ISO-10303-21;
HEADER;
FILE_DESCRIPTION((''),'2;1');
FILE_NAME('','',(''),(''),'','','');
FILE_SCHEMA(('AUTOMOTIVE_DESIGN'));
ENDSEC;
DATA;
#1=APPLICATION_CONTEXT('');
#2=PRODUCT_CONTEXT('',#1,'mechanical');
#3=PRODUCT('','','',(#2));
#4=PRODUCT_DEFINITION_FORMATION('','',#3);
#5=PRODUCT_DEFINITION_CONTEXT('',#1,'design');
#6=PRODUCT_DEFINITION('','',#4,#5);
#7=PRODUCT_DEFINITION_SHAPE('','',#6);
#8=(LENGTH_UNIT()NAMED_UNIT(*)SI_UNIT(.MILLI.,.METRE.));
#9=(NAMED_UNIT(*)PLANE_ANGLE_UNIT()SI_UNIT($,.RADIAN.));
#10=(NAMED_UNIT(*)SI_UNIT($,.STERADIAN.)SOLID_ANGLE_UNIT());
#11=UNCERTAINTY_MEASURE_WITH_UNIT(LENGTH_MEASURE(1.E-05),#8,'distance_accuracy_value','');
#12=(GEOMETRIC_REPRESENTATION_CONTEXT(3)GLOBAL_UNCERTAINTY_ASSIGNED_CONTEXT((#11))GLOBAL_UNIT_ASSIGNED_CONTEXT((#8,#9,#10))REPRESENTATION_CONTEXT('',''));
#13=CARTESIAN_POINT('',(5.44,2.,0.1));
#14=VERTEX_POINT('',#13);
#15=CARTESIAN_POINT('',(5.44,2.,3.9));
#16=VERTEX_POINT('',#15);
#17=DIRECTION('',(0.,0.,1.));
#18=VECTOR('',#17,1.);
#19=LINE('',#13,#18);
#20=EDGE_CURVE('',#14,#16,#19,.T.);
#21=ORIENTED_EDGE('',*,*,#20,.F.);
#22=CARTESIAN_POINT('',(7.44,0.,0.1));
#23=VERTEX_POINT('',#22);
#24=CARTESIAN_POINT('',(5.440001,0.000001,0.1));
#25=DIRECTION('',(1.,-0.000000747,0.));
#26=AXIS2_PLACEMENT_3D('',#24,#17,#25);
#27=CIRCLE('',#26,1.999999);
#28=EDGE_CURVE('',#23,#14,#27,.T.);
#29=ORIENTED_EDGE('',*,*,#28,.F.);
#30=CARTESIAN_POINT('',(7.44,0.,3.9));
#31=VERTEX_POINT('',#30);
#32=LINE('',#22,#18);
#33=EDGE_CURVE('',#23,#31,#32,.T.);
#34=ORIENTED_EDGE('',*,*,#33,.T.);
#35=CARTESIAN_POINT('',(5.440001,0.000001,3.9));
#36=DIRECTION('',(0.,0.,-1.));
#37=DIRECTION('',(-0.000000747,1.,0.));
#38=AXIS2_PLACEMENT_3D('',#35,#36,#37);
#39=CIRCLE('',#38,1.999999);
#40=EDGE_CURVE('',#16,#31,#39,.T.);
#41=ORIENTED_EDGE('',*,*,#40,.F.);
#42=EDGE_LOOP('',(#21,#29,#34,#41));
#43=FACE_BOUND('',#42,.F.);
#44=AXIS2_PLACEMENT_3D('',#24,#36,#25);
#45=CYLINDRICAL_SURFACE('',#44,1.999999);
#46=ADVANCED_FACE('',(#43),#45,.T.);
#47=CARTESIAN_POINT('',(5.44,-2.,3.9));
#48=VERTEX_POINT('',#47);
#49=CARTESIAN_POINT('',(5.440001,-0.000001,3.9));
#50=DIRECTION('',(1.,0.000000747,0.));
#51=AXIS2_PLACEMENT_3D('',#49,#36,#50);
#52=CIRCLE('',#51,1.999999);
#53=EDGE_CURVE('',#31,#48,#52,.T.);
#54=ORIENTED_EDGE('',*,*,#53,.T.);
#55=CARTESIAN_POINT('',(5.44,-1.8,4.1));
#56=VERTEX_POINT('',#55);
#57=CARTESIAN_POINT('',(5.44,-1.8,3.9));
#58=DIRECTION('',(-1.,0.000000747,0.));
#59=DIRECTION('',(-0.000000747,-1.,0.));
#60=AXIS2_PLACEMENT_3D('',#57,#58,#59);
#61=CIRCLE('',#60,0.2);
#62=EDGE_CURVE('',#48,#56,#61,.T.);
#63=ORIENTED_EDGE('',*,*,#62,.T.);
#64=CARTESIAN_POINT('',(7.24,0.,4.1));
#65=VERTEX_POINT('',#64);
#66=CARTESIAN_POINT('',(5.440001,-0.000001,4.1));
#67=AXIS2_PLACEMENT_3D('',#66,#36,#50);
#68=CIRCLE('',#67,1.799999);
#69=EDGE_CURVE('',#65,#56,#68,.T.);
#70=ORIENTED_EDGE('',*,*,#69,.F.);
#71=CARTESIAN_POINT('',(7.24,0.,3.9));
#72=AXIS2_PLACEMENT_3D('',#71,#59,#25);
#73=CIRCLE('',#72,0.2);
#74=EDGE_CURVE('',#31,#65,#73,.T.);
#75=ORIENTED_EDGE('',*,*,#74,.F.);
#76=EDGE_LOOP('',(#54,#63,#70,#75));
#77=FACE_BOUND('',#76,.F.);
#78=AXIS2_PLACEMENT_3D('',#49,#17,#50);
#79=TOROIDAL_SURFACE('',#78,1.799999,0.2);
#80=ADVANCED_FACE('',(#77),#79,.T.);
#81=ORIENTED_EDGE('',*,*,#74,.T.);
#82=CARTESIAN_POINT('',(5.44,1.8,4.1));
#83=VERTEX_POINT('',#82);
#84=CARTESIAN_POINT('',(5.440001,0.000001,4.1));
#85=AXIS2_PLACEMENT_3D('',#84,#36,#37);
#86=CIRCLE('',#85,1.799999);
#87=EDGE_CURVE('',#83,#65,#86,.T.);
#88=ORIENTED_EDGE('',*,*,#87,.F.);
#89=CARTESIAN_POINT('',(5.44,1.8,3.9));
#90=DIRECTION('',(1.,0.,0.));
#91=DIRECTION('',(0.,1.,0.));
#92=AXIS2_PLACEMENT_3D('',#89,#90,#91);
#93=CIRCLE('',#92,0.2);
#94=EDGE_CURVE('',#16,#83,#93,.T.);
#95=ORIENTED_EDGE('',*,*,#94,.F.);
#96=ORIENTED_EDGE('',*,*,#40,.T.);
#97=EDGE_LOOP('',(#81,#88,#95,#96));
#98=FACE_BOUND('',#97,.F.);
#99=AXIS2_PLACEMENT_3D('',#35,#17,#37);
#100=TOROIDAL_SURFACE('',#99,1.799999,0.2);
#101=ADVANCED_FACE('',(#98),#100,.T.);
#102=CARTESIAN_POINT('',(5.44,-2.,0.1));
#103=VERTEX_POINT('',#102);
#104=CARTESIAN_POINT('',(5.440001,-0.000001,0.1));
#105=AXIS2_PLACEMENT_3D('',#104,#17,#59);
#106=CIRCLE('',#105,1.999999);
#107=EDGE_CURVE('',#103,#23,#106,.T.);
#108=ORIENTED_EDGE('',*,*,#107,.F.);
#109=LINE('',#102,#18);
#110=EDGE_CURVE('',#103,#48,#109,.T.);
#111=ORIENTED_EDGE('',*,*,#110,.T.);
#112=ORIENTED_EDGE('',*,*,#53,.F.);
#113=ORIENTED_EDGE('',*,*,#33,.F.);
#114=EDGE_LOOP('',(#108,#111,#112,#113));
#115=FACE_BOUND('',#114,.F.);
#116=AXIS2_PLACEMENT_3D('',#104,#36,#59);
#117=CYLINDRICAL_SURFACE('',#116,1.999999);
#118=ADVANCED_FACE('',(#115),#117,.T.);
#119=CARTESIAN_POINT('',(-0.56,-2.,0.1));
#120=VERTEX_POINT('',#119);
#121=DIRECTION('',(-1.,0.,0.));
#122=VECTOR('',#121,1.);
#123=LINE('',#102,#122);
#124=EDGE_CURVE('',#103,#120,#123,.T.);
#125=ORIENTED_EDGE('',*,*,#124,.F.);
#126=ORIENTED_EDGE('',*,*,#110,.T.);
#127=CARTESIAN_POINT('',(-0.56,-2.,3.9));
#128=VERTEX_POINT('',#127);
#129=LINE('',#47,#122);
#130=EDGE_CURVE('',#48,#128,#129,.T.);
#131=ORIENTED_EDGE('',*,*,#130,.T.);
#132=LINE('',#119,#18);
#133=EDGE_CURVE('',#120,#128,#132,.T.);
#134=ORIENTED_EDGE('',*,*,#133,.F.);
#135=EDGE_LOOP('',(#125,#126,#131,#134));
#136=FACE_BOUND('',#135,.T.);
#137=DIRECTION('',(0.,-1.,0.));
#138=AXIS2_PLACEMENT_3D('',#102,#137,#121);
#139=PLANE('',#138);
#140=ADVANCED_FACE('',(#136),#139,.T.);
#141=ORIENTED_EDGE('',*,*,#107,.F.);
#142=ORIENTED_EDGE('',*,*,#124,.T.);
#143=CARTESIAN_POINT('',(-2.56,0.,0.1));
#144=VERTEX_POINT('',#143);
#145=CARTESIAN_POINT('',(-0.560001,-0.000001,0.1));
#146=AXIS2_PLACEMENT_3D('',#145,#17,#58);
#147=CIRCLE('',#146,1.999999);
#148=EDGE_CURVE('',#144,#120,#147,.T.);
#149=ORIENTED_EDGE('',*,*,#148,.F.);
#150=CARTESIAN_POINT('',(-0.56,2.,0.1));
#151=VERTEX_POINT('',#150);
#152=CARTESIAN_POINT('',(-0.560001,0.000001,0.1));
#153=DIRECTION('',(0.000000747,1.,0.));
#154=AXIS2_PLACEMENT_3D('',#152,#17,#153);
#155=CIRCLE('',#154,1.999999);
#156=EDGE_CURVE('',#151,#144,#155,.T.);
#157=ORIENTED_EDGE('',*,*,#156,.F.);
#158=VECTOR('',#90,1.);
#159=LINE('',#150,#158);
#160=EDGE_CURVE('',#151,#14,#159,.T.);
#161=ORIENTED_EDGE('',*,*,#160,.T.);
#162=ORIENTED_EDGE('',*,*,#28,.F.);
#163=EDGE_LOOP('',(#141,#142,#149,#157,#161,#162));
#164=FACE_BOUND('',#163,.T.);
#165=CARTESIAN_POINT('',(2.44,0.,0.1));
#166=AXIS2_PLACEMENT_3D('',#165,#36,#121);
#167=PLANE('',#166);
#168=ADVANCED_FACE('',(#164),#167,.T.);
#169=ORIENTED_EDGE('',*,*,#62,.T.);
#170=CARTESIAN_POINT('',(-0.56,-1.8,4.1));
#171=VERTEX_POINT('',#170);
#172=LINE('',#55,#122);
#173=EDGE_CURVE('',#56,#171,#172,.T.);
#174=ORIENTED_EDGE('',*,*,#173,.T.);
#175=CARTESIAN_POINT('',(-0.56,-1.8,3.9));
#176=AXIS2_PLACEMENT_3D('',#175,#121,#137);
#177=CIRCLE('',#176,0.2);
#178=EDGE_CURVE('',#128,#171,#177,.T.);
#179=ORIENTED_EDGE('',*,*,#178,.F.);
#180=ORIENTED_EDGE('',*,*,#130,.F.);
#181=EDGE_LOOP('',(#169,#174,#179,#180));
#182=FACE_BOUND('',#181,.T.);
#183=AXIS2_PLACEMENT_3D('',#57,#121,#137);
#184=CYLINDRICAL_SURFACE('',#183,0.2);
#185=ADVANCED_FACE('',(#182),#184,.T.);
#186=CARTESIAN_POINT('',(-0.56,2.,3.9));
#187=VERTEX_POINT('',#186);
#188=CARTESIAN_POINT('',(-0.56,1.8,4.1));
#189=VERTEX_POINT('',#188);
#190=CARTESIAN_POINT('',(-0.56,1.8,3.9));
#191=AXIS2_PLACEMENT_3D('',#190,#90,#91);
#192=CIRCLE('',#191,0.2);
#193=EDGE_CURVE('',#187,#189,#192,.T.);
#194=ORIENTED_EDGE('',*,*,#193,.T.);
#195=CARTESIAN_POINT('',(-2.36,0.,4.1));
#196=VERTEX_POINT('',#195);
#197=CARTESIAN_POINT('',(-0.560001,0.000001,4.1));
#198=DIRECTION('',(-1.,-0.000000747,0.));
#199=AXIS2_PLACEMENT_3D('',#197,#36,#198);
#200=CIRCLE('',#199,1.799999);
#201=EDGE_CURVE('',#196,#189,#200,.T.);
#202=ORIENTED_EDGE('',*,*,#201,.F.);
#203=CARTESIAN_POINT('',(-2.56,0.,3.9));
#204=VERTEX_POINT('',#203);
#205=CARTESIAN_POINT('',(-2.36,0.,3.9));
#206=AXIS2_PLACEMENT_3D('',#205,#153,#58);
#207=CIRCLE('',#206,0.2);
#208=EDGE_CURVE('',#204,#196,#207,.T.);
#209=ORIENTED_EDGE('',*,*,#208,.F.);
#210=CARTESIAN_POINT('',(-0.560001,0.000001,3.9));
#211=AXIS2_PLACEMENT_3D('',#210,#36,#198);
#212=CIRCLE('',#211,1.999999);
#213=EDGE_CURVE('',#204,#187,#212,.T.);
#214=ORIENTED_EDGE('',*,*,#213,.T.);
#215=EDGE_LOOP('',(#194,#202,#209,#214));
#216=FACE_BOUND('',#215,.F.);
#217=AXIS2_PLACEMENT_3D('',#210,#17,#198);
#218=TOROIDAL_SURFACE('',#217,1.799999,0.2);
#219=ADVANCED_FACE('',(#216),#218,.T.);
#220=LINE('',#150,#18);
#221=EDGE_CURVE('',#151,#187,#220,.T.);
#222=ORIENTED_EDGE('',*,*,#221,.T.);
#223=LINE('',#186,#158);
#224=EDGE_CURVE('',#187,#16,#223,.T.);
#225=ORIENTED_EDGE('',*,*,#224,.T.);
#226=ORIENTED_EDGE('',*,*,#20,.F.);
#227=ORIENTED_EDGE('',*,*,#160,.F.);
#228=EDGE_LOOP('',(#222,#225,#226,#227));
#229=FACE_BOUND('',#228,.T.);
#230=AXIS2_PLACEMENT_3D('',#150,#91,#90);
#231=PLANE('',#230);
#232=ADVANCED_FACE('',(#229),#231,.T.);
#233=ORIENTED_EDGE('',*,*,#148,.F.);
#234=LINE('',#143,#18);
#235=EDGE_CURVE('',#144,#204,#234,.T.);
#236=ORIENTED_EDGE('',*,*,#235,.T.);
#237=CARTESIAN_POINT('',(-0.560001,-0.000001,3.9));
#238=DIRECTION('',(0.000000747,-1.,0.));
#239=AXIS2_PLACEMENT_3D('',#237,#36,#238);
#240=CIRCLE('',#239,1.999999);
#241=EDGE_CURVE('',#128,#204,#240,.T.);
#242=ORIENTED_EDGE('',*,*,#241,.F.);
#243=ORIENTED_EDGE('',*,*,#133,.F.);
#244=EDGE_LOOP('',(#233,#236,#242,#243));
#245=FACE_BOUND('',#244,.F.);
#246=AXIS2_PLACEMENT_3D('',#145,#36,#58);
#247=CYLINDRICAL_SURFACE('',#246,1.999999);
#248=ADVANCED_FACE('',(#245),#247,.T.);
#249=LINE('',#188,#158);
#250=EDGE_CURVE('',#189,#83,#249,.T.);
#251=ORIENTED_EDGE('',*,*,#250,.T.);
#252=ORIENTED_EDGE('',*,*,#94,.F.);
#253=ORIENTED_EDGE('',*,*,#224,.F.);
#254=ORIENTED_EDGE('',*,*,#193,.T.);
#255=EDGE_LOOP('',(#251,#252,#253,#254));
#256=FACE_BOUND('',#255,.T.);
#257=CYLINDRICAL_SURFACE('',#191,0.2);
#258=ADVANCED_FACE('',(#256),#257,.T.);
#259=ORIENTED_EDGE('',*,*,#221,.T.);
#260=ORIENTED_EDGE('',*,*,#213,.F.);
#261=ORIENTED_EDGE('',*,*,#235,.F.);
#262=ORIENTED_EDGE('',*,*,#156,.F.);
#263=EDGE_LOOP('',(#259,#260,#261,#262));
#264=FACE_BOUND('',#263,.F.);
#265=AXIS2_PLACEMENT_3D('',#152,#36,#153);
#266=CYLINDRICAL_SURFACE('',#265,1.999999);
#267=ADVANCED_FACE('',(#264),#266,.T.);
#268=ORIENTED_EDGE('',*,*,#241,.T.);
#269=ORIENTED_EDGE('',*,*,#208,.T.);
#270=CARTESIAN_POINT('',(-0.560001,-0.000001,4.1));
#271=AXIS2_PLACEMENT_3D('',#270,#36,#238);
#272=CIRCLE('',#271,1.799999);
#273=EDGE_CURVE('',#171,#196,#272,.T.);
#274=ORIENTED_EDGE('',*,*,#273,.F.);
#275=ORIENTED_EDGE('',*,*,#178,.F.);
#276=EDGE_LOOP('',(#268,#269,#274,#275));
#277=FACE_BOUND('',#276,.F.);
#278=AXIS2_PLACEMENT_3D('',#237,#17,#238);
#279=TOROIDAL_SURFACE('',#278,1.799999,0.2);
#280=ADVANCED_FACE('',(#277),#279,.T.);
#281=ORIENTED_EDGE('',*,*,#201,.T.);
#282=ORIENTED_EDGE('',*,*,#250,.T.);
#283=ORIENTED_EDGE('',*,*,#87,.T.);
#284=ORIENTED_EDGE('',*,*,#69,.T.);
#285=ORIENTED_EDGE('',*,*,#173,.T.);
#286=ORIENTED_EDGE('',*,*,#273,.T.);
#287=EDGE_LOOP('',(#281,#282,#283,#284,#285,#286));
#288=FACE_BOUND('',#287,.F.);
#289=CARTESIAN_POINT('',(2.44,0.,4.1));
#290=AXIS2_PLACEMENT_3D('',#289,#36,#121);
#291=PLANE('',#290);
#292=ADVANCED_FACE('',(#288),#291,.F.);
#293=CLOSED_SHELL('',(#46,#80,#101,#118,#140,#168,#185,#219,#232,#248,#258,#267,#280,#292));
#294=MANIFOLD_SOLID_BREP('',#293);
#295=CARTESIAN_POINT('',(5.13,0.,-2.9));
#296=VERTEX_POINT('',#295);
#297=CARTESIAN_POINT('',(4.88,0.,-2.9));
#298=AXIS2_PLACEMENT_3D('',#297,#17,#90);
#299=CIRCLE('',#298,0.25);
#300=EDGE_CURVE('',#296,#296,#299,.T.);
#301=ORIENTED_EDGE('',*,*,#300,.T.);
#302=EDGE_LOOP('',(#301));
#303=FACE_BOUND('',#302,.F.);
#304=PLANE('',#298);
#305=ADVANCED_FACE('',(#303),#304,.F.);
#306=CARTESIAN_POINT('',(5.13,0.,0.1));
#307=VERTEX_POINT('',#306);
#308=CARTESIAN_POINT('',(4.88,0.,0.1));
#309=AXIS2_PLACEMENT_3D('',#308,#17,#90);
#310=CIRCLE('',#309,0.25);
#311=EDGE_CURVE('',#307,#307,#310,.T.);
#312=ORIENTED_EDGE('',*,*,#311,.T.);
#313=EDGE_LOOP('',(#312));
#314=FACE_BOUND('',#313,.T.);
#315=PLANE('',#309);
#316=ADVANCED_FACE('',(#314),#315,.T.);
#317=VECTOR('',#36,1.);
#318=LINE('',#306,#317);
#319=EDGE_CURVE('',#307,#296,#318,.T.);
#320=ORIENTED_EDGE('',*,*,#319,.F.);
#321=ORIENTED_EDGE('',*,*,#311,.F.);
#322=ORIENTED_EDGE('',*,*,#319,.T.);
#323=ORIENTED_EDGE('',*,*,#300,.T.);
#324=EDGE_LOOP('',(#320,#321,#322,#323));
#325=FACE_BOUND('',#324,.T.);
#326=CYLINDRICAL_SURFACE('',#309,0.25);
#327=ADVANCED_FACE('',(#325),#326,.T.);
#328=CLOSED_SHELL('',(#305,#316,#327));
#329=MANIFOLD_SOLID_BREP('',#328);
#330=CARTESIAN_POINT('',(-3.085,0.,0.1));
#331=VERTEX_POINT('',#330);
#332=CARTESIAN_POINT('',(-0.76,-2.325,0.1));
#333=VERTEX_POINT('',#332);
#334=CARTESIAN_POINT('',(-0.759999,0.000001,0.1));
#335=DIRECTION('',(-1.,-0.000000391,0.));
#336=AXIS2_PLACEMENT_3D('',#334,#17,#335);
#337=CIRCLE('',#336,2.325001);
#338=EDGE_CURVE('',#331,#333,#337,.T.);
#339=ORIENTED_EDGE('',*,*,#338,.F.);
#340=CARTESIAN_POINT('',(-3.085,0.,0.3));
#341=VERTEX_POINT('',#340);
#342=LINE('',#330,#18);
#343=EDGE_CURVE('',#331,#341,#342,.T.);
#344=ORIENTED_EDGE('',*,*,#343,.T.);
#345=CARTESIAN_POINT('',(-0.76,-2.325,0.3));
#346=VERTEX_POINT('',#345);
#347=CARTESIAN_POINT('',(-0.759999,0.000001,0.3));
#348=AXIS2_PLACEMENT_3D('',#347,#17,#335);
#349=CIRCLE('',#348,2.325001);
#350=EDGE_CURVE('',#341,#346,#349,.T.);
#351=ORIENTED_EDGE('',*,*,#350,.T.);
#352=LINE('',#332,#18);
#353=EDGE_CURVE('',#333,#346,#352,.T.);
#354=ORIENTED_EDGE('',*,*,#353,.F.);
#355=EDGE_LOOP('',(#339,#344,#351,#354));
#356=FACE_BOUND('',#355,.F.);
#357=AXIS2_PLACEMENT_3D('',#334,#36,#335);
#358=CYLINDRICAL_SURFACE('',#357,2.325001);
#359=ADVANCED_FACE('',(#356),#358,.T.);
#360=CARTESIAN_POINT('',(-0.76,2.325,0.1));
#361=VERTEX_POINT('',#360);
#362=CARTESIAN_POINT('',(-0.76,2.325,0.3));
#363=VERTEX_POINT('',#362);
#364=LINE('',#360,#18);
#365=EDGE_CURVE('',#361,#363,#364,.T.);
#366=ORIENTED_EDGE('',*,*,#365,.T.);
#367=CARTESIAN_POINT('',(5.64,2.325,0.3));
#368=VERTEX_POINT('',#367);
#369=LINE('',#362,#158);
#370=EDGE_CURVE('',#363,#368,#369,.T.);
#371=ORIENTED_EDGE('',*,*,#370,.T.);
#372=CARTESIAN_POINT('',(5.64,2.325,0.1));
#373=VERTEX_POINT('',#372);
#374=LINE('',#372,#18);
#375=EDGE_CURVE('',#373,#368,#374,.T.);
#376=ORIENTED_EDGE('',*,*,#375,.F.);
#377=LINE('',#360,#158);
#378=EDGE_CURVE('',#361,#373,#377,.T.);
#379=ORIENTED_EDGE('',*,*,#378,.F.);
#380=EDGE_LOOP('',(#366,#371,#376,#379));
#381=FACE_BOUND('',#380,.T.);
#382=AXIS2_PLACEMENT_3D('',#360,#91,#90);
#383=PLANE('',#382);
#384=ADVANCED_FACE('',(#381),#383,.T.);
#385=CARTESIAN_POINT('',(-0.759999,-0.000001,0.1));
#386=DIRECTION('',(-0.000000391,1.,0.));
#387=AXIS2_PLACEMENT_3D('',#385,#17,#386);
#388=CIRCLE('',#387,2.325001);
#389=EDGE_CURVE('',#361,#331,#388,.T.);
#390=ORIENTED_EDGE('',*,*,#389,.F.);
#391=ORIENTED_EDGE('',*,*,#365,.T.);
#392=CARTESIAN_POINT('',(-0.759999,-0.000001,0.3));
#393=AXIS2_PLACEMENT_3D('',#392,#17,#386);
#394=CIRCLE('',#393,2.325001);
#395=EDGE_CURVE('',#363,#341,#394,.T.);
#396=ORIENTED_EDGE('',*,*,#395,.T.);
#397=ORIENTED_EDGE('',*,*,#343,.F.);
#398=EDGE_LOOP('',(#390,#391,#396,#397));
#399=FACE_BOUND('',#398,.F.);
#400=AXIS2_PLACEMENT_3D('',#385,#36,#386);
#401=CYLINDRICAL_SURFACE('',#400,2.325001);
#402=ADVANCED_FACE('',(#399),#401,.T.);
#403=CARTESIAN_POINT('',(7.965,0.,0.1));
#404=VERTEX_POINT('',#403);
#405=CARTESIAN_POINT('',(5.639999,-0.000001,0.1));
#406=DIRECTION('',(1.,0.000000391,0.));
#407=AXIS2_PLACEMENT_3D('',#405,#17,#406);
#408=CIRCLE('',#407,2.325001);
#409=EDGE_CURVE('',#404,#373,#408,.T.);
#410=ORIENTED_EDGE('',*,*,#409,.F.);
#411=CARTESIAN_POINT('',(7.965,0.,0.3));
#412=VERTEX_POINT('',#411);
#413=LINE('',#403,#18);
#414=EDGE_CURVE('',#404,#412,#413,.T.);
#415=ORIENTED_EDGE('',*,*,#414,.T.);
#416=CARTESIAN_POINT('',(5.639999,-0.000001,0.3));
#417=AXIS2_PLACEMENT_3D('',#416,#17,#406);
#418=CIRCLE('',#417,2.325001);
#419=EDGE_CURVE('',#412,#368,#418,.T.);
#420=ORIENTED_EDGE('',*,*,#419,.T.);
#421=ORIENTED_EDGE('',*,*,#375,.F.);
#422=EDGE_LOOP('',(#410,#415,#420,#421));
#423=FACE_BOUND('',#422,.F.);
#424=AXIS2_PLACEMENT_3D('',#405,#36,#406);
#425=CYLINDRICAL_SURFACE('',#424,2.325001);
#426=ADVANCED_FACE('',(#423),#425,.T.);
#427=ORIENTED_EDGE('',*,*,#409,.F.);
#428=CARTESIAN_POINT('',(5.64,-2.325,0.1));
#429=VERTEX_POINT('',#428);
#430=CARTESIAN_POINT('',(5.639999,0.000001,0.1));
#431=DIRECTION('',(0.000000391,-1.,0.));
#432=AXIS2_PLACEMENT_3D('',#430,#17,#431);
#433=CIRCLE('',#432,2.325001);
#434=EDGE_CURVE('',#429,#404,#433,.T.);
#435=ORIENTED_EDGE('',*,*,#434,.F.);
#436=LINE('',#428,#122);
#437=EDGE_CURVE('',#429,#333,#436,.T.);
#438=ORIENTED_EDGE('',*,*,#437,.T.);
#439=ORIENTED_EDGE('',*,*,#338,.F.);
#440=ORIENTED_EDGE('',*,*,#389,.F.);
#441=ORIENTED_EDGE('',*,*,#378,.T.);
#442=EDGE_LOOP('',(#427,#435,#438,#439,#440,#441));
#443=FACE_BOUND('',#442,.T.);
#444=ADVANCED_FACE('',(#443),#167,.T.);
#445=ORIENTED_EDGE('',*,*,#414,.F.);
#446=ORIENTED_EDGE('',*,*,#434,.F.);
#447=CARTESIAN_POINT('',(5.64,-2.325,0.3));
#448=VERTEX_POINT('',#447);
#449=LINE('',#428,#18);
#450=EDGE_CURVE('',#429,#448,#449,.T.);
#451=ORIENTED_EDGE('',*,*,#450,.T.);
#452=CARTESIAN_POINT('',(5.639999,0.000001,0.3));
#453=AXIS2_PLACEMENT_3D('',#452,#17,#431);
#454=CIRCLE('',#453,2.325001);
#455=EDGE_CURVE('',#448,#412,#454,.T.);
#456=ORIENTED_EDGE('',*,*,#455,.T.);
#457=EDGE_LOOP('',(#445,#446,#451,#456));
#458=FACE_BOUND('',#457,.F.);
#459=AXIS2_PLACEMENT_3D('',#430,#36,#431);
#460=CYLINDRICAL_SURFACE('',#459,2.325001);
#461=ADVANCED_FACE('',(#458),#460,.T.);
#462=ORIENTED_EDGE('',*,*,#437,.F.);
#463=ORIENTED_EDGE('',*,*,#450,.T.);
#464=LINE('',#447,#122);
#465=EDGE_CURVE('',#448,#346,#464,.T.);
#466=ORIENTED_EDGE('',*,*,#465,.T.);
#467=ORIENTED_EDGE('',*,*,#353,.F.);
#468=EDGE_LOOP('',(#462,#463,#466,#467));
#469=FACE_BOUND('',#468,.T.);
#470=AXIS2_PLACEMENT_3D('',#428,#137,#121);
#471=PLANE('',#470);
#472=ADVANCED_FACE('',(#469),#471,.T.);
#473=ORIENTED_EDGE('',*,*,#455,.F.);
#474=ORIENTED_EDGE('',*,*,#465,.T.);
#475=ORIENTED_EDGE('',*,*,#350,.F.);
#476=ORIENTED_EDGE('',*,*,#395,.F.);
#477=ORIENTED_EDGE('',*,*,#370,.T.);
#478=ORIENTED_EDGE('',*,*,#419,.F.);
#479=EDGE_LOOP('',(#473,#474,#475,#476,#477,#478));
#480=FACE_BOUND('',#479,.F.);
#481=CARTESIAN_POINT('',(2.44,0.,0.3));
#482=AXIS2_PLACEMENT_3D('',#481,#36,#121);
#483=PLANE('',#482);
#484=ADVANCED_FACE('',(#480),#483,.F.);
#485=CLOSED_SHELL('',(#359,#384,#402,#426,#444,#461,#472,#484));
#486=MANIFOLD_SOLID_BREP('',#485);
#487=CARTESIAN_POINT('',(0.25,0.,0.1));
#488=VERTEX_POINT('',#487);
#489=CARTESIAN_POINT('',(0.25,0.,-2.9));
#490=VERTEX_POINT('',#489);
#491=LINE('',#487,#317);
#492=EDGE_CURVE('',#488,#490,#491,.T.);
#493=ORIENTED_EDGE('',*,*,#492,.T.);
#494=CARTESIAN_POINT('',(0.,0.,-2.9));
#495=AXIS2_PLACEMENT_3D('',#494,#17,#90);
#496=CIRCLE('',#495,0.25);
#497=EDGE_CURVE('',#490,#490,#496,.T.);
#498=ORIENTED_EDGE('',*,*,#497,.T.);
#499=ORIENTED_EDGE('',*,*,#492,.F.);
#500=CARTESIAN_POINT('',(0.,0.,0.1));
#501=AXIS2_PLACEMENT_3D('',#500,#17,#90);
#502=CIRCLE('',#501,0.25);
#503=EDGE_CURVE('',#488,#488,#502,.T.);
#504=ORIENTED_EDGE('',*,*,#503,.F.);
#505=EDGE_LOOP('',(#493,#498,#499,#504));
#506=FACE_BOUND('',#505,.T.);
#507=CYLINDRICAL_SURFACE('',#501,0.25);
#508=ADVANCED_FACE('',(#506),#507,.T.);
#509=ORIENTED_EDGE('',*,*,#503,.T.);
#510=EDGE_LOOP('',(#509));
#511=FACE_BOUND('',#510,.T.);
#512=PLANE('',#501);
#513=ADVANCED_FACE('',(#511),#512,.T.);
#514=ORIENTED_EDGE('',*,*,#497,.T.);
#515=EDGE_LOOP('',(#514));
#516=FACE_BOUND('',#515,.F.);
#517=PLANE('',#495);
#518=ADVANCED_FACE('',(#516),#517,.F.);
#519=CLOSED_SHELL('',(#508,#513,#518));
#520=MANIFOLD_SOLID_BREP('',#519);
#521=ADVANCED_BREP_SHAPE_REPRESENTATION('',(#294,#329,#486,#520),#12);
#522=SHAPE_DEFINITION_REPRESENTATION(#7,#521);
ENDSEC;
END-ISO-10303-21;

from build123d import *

# Parameters (mm, degrees)
SKETCH_R     = 0.25
PAD_DEPTH    = 3
PAD001_DEPTH = 0.2
PAD002_DEPTH = 4
FILLET_R     = 0.2


with BuildPart() as pad:
    # Sketch → Pad (new body)
    with BuildSketch(Plane.XY.offset(0.1)):
        Circle(SKETCH_R)
        with Locations((4.88, 0)):
            Circle(SKETCH_R)
    extrude(amount=-PAD_DEPTH)


with BuildPart() as pad001:
    # Sketch001 → Pad001 (new body)
    with BuildSketch(Plane.XY.offset(0.1)):
        with BuildLine():
            Line((-0.76, 2.325), (5.64, 2.325))
            ThreePointArc((7.965, 0), (7.284023, 1.644023), (5.64, 2.325))
            ThreePointArc((5.64, -2.325), (7.284023, -1.644023), (7.965, 0))
            Line((5.64, -2.325), (-0.76, -2.325))
            ThreePointArc((-3.085, 0), (-2.404023, -1.644023), (-0.76, -2.325))
            ThreePointArc((-0.76, 2.325), (-2.404023, 1.644023), (-3.085, 0))
        make_face()
    extrude(amount=PAD001_DEPTH)


with BuildPart() as fillet_body:
    # Sketch003 → Pad002 (new body)
    with BuildSketch(Plane.XY.offset(0.1)):
        with BuildLine():
            Line((-0.56, 2), (5.44, 2))
            ThreePointArc((7.44, 0), (6.854214, 1.414214), (5.44, 2))
            ThreePointArc((5.44, -2), (6.854214, -1.414214), (7.44, 0))
            Line((5.44, -2), (-0.56, -2))
            ThreePointArc((-2.56, 0), (-1.974214, -1.414214), (-0.56, -2))
            ThreePointArc((-0.56, 2), (-1.974214, 1.414214), (-2.56, 0))
        make_face()
    extrude(amount=PAD002_DEPTH)

    # Fillet
    fillet_edges = [fillet_body.edges().sort_by_distance(p)[0] for p in [
        (2.44, 2, 4.1),
        (-1.974214, 1.414214, 4.1),
        (-1.974214, -1.414214, 4.1),
        (2.44, -2, 4.1),
        (6.854214, -1.414214, 4.1),
        (6.854214, 1.414214, 4.1),
    ]]
    fillet(fillet_edges, radius=FILLET_R)


solid = Compound([pad.part, pad001.part, fillet_body.part])
